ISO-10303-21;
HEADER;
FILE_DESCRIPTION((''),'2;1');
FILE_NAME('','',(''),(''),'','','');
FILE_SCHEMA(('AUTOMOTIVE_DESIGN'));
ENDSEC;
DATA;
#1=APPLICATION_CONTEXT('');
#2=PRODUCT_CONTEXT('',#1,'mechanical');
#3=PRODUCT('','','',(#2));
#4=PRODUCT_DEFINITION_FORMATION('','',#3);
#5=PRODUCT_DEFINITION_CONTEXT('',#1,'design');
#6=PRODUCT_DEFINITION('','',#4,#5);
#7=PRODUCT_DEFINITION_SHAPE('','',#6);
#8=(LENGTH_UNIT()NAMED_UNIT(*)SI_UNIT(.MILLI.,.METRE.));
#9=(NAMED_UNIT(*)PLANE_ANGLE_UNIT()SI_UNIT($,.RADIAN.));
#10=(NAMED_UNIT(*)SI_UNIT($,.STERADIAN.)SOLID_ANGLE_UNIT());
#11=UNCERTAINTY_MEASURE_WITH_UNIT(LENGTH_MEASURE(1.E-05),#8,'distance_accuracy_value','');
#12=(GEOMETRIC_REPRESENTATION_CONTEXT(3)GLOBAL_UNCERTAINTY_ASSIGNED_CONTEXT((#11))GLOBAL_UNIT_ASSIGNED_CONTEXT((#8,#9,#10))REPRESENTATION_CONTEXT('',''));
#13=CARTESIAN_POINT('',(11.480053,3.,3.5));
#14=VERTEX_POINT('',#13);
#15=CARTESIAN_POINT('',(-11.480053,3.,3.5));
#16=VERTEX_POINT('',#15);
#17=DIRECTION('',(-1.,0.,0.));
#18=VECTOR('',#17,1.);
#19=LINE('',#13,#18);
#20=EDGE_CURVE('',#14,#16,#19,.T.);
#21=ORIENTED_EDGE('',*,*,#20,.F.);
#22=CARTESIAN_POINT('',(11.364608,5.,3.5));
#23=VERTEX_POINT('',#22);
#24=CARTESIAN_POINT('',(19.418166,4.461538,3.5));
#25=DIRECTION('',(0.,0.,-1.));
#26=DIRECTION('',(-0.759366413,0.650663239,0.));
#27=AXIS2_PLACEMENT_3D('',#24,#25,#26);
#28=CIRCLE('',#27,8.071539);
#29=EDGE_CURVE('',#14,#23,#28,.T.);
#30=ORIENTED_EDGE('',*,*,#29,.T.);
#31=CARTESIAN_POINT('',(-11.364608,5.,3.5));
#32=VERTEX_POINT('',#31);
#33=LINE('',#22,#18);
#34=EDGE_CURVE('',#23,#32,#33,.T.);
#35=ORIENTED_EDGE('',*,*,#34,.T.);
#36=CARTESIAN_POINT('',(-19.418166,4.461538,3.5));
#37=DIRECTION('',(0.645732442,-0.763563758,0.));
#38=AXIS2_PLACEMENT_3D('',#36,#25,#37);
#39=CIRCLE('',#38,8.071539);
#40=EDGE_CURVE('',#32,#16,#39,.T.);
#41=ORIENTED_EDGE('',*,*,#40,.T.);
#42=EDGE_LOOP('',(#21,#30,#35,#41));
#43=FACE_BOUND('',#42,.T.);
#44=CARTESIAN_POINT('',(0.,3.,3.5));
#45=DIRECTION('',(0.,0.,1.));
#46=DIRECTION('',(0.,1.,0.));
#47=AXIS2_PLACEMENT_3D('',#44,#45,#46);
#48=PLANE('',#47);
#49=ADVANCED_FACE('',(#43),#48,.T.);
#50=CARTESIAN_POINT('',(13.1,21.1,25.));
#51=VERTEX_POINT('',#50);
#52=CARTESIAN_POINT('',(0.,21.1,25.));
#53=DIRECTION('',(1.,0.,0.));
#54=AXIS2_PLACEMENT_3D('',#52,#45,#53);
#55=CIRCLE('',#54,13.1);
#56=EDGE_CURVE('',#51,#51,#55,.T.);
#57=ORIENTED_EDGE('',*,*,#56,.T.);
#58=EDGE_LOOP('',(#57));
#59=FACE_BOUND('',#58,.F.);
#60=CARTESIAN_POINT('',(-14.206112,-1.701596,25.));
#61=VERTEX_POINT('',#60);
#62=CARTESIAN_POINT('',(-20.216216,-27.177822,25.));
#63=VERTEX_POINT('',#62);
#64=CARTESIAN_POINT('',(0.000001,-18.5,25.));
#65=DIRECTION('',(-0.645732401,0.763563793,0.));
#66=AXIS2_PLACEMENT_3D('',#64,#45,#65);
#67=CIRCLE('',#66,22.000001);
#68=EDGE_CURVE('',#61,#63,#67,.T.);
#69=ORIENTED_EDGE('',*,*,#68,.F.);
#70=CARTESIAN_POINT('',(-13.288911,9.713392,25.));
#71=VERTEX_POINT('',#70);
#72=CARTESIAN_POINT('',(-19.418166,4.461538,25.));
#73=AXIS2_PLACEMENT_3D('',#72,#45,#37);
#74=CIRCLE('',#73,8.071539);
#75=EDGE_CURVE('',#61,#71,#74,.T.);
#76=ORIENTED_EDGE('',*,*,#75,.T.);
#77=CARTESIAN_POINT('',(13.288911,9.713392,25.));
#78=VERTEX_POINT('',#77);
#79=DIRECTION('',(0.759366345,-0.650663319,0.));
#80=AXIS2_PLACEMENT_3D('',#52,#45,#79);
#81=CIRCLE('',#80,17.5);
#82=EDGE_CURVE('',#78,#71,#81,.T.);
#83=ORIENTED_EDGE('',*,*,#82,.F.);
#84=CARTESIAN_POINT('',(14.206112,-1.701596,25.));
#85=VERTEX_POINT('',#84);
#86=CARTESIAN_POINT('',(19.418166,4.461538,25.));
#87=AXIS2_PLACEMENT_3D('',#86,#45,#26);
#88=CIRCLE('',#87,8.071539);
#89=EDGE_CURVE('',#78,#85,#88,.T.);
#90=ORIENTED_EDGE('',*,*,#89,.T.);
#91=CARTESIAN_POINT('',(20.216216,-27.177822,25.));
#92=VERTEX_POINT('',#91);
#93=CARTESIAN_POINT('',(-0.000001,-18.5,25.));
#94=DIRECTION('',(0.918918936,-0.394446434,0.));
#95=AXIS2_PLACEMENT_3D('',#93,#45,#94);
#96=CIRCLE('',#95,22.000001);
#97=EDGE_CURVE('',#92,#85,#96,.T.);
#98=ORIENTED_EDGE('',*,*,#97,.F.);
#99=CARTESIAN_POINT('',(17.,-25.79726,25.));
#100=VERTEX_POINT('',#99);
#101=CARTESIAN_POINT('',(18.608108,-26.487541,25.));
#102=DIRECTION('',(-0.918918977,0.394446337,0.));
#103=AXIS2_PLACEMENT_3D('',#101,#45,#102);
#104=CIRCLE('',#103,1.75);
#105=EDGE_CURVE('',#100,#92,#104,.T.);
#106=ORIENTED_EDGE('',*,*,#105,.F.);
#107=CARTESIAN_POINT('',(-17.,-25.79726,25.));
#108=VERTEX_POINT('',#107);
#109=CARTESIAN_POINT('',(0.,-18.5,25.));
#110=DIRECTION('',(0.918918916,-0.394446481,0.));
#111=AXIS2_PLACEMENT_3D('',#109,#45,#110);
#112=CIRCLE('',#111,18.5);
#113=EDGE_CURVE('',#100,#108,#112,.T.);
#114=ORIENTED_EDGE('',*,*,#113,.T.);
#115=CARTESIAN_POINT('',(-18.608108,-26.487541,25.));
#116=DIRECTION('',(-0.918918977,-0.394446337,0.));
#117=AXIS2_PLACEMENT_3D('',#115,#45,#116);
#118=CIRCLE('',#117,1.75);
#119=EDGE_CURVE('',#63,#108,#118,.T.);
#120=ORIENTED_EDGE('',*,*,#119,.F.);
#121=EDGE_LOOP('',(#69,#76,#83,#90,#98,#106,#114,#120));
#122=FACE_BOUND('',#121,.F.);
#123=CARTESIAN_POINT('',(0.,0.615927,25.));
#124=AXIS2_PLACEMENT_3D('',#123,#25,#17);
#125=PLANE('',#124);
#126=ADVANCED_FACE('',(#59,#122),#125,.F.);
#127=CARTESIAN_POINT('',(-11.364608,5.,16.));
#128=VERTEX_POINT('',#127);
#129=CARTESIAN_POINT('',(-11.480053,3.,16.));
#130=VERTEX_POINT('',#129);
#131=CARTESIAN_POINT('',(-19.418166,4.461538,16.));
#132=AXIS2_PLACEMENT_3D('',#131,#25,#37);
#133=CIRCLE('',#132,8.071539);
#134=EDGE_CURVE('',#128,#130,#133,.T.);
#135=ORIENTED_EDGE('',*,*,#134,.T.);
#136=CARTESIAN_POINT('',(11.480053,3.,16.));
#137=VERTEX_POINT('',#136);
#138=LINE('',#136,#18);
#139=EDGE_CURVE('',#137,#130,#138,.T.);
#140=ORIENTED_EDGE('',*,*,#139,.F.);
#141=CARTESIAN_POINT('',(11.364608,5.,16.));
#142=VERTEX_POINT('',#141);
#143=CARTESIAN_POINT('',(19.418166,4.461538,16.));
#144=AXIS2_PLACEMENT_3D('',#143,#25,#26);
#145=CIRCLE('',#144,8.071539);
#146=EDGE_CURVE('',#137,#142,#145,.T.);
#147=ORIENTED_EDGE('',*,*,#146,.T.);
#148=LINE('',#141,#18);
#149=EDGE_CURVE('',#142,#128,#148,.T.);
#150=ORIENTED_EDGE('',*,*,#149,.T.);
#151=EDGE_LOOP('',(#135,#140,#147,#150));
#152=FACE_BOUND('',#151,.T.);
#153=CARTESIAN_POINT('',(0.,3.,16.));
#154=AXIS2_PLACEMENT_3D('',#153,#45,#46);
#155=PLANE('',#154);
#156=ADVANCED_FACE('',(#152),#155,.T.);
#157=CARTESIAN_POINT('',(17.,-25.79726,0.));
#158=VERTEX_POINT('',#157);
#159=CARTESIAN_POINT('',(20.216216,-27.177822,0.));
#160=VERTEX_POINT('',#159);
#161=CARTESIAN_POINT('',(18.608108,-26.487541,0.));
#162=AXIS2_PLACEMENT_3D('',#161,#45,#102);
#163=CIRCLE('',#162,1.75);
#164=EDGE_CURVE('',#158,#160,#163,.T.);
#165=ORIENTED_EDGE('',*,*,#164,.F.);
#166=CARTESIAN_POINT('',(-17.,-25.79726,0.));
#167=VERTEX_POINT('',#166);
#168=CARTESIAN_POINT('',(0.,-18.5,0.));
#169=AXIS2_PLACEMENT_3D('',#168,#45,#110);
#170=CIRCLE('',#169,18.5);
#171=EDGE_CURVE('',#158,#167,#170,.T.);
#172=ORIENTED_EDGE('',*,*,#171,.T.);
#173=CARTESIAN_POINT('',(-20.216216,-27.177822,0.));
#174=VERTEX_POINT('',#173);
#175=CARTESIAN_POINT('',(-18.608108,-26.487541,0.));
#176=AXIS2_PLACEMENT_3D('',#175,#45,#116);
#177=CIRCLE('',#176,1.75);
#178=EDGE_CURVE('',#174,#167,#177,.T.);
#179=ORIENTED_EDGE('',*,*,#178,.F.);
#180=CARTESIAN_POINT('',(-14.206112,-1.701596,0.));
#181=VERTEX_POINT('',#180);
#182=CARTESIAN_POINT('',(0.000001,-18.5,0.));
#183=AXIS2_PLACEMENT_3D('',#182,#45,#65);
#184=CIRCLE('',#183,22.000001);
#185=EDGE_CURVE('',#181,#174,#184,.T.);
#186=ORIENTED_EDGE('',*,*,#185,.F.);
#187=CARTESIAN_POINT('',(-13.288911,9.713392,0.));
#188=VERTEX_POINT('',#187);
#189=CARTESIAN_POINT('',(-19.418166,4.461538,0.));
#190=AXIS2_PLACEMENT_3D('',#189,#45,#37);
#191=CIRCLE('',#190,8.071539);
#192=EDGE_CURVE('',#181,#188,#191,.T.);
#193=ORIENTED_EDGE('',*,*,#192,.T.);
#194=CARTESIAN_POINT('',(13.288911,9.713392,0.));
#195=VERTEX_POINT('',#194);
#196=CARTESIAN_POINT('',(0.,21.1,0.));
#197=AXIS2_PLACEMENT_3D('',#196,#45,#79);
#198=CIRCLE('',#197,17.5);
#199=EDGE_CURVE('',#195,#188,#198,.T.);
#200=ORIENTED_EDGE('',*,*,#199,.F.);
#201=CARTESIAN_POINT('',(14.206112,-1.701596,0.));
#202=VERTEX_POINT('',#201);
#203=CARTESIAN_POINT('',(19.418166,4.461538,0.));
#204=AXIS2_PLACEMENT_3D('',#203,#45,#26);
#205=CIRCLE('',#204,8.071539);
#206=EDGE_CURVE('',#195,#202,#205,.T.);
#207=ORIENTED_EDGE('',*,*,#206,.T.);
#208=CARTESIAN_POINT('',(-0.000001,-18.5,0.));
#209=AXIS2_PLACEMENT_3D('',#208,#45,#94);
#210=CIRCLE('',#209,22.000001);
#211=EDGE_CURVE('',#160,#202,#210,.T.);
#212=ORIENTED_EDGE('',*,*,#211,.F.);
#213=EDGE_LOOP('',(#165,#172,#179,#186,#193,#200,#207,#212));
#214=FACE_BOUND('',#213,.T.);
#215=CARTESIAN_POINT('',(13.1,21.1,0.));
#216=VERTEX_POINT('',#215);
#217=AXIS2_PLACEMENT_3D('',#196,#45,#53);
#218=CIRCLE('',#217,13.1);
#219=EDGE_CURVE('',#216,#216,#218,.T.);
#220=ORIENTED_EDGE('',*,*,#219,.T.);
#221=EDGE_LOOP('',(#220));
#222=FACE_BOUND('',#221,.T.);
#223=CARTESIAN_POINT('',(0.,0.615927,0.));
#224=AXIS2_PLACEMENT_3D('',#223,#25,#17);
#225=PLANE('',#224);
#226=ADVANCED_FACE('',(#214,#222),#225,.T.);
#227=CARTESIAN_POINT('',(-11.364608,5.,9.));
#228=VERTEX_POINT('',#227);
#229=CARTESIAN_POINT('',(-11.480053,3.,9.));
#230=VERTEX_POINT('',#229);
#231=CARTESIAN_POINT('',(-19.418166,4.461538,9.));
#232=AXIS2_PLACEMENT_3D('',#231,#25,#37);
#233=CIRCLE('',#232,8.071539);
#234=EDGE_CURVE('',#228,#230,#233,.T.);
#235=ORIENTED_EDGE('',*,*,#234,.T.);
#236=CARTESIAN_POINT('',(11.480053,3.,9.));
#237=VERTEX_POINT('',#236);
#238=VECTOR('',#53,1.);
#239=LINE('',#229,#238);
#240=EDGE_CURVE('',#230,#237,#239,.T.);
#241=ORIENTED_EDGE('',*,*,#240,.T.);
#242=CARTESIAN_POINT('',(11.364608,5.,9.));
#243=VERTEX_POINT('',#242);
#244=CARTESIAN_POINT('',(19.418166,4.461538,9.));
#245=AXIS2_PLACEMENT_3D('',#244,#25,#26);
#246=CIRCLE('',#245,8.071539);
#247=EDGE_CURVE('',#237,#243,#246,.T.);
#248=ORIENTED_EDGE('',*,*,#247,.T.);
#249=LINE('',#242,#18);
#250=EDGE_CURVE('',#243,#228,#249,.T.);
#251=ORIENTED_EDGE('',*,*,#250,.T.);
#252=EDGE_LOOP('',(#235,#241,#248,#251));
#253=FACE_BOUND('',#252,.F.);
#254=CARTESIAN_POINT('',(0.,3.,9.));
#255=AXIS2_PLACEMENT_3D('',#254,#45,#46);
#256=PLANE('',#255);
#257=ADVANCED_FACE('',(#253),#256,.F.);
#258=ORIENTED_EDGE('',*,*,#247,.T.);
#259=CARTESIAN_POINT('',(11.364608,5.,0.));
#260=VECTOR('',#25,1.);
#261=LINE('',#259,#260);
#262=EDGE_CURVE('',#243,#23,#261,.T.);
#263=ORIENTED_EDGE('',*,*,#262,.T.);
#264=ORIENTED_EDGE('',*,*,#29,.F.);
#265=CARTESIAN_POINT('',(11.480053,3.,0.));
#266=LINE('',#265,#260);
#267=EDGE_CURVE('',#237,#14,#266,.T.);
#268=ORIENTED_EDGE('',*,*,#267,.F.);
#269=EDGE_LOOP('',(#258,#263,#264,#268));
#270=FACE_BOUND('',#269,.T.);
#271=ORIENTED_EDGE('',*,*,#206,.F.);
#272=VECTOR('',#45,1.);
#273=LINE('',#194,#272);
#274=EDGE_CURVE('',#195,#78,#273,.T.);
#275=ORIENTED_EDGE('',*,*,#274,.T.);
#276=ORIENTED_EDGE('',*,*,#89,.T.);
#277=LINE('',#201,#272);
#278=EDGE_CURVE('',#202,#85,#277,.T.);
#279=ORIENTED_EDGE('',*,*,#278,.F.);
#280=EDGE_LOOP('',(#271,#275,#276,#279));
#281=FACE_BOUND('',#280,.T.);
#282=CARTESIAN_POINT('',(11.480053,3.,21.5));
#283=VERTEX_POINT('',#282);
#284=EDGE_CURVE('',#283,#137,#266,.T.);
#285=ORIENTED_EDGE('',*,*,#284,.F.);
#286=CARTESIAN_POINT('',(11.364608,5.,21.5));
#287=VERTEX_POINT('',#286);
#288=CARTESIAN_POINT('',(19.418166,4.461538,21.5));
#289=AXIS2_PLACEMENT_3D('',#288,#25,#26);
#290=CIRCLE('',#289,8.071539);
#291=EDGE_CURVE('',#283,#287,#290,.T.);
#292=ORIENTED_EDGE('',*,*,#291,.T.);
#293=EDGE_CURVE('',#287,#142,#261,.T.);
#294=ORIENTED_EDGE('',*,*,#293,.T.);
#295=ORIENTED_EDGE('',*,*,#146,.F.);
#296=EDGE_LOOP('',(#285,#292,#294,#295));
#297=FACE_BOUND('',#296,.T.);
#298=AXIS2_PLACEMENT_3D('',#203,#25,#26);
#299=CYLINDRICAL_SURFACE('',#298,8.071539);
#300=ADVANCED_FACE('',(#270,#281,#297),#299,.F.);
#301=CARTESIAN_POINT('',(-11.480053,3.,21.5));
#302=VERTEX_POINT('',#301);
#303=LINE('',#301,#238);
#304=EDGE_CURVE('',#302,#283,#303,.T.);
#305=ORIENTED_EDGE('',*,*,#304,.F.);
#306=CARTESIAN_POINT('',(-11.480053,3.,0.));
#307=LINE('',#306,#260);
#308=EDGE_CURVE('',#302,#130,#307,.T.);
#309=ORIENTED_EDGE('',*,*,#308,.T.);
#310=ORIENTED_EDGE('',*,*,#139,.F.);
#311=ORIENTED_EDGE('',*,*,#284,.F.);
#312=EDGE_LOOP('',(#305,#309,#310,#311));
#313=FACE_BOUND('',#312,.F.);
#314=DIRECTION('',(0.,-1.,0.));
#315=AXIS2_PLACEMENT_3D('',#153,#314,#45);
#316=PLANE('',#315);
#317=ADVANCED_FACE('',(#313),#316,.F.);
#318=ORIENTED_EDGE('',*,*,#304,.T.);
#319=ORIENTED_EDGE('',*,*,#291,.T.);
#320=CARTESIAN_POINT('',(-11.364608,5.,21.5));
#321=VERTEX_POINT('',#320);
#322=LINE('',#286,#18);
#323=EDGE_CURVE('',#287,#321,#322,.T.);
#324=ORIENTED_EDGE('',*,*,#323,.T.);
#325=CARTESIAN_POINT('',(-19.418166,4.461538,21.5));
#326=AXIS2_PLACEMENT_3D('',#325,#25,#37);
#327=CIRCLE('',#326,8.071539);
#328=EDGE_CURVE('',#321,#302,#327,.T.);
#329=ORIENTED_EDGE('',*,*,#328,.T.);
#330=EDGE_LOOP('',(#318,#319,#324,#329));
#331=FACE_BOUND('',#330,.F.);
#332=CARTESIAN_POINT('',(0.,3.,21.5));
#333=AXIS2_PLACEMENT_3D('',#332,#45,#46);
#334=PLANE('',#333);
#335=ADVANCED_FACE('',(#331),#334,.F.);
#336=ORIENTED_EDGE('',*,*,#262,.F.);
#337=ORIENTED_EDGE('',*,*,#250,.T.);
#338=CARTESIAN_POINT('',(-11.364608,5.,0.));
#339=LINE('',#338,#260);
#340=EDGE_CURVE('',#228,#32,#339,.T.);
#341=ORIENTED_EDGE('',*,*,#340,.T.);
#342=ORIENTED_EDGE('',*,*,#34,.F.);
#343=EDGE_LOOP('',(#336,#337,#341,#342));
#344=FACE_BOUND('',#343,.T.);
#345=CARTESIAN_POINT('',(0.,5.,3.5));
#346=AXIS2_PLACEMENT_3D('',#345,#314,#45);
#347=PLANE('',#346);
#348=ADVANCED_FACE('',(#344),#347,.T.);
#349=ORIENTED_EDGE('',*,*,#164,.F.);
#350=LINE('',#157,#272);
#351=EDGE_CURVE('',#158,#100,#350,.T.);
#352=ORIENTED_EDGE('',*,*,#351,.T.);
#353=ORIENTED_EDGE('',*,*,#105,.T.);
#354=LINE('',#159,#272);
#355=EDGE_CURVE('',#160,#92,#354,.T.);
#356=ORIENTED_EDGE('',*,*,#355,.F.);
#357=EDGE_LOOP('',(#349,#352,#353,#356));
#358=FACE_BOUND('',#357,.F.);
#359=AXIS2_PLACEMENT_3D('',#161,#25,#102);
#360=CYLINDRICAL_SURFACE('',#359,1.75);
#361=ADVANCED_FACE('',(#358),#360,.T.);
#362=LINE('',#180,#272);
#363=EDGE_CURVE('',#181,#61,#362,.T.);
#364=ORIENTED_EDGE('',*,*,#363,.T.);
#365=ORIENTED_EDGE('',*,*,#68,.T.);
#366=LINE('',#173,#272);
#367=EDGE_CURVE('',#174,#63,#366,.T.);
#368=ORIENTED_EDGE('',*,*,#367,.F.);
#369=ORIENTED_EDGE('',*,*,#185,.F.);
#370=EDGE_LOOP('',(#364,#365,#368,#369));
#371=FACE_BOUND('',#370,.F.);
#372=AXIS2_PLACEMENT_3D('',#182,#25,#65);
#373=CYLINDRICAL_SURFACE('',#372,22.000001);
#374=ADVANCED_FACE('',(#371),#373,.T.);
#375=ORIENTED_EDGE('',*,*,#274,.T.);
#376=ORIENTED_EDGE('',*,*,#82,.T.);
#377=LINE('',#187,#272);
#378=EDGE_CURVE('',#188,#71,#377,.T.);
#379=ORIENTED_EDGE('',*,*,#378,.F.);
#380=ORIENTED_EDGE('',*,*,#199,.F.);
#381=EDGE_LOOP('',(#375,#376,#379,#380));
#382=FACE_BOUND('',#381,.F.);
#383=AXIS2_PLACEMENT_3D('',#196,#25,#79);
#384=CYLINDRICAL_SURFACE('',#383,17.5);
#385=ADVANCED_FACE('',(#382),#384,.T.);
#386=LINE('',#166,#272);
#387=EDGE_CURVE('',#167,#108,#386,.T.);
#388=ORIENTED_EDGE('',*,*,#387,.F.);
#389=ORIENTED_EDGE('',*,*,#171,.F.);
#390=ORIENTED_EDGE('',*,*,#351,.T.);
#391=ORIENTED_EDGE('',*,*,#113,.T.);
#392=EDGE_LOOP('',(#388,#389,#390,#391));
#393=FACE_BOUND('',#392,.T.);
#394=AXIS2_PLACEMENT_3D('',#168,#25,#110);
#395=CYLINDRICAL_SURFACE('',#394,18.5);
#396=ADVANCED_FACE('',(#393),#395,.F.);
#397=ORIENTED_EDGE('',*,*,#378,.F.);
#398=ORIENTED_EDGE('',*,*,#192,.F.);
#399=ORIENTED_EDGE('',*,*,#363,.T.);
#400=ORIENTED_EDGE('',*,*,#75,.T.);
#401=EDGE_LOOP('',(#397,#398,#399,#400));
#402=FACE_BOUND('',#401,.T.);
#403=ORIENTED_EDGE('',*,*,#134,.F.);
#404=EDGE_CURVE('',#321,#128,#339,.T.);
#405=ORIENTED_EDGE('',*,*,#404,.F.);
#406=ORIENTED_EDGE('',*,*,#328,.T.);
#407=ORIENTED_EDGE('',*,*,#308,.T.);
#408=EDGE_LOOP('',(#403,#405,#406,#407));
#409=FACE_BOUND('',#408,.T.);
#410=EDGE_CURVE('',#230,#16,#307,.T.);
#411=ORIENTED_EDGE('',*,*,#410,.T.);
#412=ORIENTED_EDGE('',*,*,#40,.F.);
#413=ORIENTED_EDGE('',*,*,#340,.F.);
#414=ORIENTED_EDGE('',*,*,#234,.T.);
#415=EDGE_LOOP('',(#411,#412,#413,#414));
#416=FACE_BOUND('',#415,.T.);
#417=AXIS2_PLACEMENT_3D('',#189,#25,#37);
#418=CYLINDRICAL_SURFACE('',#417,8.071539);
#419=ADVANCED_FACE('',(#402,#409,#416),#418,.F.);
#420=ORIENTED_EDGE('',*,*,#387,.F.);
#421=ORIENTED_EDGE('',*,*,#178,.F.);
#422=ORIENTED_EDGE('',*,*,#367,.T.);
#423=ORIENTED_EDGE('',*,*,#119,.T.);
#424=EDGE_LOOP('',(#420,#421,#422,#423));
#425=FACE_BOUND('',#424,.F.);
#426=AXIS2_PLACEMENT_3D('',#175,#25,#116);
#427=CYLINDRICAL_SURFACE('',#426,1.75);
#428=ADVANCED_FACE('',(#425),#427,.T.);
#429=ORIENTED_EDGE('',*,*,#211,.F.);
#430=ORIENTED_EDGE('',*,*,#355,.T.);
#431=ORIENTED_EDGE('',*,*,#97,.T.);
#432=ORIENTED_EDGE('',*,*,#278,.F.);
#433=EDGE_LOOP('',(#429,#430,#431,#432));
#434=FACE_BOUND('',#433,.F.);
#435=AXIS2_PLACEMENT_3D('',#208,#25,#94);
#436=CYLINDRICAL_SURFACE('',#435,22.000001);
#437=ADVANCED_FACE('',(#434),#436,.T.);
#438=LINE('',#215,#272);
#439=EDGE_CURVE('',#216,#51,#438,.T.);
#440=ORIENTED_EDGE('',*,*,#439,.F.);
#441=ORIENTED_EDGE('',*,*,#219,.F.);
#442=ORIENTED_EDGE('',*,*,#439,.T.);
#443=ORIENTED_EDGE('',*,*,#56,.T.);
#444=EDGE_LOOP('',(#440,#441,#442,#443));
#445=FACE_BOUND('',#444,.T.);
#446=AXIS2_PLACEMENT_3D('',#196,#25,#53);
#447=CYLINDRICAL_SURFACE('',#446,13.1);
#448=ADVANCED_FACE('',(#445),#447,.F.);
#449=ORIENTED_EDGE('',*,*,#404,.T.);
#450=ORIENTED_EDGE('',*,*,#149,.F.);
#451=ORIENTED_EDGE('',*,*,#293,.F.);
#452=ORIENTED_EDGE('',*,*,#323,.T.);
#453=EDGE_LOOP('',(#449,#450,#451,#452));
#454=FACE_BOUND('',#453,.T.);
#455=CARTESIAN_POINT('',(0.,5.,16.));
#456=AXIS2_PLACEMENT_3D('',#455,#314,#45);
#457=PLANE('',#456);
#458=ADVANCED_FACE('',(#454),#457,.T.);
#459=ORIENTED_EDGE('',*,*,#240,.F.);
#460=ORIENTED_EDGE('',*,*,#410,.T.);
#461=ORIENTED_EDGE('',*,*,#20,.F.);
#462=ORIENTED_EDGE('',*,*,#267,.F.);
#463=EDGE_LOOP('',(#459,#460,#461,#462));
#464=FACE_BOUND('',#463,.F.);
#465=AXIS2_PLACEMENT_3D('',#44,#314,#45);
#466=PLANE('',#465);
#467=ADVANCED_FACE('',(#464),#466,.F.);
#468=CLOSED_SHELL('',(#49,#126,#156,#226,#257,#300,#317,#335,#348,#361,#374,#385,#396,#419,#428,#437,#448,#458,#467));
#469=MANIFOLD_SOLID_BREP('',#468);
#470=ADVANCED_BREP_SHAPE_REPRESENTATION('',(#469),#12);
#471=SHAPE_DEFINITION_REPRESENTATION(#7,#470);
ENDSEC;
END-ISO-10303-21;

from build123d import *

# Parameters (mm, degrees)
SKETCH_R          = 13.1
PAD_DEPTH         = 25
SKETCH001_W       = 2
SKETCH001_H       = 5.5
POCKET_DEPTH      = 22.001
POCKET_DEPTH_BACK = 22.001


with BuildPart() as part:
    # Sketch → Pad (new body)
    with BuildSketch(Plane.XY):
        with BuildLine():
            ThreePointArc((17, -25.79726), (0, 0), (-17, -25.79726))
            ThreePointArc((-20.216216, -27.177822), (-17.917827, -28.095649), (-17, -25.79726))
            ThreePointArc((-14.206112, -1.701596), (-21.412232, -13.448634), (-20.216216, -27.177822))
            ThreePointArc((-14.206112, -1.701596), (-11.372558, 3.815069), (-13.288911, 9.713392))
            ThreePointArc((13.288911, 9.713392), (0, 38.6), (-13.288911, 9.713392))
            ThreePointArc((13.288911, 9.713392), (11.372558, 3.815069), (14.206112, -1.701596))
            ThreePointArc((20.216216, -27.177822), (21.412232, -13.448634), (14.206112, -1.701596))
            ThreePointArc((17, -25.79726), (17.917827, -28.095649), (20.216216, -27.177822))
        make_face()
        with Locations((0, 21.1)):
            Circle(SKETCH_R, mode=Mode.SUBTRACT)
    extrude(amount=PAD_DEPTH)

    # Sketch001 → Pocket (cut, two sides)
    with BuildSketch(Plane.YZ) as pocket_sk:
        with Locations((4, 6.25)):
            Rectangle(SKETCH001_W, SKETCH001_H)
        with Locations((4, 18.75)):
            Rectangle(SKETCH001_W, SKETCH001_H)
    extrude(amount=-POCKET_DEPTH, mode=Mode.SUBTRACT)
    extrude(pocket_sk.sketch, amount=POCKET_DEPTH_BACK, mode=Mode.SUBTRACT)


solid = part.part
